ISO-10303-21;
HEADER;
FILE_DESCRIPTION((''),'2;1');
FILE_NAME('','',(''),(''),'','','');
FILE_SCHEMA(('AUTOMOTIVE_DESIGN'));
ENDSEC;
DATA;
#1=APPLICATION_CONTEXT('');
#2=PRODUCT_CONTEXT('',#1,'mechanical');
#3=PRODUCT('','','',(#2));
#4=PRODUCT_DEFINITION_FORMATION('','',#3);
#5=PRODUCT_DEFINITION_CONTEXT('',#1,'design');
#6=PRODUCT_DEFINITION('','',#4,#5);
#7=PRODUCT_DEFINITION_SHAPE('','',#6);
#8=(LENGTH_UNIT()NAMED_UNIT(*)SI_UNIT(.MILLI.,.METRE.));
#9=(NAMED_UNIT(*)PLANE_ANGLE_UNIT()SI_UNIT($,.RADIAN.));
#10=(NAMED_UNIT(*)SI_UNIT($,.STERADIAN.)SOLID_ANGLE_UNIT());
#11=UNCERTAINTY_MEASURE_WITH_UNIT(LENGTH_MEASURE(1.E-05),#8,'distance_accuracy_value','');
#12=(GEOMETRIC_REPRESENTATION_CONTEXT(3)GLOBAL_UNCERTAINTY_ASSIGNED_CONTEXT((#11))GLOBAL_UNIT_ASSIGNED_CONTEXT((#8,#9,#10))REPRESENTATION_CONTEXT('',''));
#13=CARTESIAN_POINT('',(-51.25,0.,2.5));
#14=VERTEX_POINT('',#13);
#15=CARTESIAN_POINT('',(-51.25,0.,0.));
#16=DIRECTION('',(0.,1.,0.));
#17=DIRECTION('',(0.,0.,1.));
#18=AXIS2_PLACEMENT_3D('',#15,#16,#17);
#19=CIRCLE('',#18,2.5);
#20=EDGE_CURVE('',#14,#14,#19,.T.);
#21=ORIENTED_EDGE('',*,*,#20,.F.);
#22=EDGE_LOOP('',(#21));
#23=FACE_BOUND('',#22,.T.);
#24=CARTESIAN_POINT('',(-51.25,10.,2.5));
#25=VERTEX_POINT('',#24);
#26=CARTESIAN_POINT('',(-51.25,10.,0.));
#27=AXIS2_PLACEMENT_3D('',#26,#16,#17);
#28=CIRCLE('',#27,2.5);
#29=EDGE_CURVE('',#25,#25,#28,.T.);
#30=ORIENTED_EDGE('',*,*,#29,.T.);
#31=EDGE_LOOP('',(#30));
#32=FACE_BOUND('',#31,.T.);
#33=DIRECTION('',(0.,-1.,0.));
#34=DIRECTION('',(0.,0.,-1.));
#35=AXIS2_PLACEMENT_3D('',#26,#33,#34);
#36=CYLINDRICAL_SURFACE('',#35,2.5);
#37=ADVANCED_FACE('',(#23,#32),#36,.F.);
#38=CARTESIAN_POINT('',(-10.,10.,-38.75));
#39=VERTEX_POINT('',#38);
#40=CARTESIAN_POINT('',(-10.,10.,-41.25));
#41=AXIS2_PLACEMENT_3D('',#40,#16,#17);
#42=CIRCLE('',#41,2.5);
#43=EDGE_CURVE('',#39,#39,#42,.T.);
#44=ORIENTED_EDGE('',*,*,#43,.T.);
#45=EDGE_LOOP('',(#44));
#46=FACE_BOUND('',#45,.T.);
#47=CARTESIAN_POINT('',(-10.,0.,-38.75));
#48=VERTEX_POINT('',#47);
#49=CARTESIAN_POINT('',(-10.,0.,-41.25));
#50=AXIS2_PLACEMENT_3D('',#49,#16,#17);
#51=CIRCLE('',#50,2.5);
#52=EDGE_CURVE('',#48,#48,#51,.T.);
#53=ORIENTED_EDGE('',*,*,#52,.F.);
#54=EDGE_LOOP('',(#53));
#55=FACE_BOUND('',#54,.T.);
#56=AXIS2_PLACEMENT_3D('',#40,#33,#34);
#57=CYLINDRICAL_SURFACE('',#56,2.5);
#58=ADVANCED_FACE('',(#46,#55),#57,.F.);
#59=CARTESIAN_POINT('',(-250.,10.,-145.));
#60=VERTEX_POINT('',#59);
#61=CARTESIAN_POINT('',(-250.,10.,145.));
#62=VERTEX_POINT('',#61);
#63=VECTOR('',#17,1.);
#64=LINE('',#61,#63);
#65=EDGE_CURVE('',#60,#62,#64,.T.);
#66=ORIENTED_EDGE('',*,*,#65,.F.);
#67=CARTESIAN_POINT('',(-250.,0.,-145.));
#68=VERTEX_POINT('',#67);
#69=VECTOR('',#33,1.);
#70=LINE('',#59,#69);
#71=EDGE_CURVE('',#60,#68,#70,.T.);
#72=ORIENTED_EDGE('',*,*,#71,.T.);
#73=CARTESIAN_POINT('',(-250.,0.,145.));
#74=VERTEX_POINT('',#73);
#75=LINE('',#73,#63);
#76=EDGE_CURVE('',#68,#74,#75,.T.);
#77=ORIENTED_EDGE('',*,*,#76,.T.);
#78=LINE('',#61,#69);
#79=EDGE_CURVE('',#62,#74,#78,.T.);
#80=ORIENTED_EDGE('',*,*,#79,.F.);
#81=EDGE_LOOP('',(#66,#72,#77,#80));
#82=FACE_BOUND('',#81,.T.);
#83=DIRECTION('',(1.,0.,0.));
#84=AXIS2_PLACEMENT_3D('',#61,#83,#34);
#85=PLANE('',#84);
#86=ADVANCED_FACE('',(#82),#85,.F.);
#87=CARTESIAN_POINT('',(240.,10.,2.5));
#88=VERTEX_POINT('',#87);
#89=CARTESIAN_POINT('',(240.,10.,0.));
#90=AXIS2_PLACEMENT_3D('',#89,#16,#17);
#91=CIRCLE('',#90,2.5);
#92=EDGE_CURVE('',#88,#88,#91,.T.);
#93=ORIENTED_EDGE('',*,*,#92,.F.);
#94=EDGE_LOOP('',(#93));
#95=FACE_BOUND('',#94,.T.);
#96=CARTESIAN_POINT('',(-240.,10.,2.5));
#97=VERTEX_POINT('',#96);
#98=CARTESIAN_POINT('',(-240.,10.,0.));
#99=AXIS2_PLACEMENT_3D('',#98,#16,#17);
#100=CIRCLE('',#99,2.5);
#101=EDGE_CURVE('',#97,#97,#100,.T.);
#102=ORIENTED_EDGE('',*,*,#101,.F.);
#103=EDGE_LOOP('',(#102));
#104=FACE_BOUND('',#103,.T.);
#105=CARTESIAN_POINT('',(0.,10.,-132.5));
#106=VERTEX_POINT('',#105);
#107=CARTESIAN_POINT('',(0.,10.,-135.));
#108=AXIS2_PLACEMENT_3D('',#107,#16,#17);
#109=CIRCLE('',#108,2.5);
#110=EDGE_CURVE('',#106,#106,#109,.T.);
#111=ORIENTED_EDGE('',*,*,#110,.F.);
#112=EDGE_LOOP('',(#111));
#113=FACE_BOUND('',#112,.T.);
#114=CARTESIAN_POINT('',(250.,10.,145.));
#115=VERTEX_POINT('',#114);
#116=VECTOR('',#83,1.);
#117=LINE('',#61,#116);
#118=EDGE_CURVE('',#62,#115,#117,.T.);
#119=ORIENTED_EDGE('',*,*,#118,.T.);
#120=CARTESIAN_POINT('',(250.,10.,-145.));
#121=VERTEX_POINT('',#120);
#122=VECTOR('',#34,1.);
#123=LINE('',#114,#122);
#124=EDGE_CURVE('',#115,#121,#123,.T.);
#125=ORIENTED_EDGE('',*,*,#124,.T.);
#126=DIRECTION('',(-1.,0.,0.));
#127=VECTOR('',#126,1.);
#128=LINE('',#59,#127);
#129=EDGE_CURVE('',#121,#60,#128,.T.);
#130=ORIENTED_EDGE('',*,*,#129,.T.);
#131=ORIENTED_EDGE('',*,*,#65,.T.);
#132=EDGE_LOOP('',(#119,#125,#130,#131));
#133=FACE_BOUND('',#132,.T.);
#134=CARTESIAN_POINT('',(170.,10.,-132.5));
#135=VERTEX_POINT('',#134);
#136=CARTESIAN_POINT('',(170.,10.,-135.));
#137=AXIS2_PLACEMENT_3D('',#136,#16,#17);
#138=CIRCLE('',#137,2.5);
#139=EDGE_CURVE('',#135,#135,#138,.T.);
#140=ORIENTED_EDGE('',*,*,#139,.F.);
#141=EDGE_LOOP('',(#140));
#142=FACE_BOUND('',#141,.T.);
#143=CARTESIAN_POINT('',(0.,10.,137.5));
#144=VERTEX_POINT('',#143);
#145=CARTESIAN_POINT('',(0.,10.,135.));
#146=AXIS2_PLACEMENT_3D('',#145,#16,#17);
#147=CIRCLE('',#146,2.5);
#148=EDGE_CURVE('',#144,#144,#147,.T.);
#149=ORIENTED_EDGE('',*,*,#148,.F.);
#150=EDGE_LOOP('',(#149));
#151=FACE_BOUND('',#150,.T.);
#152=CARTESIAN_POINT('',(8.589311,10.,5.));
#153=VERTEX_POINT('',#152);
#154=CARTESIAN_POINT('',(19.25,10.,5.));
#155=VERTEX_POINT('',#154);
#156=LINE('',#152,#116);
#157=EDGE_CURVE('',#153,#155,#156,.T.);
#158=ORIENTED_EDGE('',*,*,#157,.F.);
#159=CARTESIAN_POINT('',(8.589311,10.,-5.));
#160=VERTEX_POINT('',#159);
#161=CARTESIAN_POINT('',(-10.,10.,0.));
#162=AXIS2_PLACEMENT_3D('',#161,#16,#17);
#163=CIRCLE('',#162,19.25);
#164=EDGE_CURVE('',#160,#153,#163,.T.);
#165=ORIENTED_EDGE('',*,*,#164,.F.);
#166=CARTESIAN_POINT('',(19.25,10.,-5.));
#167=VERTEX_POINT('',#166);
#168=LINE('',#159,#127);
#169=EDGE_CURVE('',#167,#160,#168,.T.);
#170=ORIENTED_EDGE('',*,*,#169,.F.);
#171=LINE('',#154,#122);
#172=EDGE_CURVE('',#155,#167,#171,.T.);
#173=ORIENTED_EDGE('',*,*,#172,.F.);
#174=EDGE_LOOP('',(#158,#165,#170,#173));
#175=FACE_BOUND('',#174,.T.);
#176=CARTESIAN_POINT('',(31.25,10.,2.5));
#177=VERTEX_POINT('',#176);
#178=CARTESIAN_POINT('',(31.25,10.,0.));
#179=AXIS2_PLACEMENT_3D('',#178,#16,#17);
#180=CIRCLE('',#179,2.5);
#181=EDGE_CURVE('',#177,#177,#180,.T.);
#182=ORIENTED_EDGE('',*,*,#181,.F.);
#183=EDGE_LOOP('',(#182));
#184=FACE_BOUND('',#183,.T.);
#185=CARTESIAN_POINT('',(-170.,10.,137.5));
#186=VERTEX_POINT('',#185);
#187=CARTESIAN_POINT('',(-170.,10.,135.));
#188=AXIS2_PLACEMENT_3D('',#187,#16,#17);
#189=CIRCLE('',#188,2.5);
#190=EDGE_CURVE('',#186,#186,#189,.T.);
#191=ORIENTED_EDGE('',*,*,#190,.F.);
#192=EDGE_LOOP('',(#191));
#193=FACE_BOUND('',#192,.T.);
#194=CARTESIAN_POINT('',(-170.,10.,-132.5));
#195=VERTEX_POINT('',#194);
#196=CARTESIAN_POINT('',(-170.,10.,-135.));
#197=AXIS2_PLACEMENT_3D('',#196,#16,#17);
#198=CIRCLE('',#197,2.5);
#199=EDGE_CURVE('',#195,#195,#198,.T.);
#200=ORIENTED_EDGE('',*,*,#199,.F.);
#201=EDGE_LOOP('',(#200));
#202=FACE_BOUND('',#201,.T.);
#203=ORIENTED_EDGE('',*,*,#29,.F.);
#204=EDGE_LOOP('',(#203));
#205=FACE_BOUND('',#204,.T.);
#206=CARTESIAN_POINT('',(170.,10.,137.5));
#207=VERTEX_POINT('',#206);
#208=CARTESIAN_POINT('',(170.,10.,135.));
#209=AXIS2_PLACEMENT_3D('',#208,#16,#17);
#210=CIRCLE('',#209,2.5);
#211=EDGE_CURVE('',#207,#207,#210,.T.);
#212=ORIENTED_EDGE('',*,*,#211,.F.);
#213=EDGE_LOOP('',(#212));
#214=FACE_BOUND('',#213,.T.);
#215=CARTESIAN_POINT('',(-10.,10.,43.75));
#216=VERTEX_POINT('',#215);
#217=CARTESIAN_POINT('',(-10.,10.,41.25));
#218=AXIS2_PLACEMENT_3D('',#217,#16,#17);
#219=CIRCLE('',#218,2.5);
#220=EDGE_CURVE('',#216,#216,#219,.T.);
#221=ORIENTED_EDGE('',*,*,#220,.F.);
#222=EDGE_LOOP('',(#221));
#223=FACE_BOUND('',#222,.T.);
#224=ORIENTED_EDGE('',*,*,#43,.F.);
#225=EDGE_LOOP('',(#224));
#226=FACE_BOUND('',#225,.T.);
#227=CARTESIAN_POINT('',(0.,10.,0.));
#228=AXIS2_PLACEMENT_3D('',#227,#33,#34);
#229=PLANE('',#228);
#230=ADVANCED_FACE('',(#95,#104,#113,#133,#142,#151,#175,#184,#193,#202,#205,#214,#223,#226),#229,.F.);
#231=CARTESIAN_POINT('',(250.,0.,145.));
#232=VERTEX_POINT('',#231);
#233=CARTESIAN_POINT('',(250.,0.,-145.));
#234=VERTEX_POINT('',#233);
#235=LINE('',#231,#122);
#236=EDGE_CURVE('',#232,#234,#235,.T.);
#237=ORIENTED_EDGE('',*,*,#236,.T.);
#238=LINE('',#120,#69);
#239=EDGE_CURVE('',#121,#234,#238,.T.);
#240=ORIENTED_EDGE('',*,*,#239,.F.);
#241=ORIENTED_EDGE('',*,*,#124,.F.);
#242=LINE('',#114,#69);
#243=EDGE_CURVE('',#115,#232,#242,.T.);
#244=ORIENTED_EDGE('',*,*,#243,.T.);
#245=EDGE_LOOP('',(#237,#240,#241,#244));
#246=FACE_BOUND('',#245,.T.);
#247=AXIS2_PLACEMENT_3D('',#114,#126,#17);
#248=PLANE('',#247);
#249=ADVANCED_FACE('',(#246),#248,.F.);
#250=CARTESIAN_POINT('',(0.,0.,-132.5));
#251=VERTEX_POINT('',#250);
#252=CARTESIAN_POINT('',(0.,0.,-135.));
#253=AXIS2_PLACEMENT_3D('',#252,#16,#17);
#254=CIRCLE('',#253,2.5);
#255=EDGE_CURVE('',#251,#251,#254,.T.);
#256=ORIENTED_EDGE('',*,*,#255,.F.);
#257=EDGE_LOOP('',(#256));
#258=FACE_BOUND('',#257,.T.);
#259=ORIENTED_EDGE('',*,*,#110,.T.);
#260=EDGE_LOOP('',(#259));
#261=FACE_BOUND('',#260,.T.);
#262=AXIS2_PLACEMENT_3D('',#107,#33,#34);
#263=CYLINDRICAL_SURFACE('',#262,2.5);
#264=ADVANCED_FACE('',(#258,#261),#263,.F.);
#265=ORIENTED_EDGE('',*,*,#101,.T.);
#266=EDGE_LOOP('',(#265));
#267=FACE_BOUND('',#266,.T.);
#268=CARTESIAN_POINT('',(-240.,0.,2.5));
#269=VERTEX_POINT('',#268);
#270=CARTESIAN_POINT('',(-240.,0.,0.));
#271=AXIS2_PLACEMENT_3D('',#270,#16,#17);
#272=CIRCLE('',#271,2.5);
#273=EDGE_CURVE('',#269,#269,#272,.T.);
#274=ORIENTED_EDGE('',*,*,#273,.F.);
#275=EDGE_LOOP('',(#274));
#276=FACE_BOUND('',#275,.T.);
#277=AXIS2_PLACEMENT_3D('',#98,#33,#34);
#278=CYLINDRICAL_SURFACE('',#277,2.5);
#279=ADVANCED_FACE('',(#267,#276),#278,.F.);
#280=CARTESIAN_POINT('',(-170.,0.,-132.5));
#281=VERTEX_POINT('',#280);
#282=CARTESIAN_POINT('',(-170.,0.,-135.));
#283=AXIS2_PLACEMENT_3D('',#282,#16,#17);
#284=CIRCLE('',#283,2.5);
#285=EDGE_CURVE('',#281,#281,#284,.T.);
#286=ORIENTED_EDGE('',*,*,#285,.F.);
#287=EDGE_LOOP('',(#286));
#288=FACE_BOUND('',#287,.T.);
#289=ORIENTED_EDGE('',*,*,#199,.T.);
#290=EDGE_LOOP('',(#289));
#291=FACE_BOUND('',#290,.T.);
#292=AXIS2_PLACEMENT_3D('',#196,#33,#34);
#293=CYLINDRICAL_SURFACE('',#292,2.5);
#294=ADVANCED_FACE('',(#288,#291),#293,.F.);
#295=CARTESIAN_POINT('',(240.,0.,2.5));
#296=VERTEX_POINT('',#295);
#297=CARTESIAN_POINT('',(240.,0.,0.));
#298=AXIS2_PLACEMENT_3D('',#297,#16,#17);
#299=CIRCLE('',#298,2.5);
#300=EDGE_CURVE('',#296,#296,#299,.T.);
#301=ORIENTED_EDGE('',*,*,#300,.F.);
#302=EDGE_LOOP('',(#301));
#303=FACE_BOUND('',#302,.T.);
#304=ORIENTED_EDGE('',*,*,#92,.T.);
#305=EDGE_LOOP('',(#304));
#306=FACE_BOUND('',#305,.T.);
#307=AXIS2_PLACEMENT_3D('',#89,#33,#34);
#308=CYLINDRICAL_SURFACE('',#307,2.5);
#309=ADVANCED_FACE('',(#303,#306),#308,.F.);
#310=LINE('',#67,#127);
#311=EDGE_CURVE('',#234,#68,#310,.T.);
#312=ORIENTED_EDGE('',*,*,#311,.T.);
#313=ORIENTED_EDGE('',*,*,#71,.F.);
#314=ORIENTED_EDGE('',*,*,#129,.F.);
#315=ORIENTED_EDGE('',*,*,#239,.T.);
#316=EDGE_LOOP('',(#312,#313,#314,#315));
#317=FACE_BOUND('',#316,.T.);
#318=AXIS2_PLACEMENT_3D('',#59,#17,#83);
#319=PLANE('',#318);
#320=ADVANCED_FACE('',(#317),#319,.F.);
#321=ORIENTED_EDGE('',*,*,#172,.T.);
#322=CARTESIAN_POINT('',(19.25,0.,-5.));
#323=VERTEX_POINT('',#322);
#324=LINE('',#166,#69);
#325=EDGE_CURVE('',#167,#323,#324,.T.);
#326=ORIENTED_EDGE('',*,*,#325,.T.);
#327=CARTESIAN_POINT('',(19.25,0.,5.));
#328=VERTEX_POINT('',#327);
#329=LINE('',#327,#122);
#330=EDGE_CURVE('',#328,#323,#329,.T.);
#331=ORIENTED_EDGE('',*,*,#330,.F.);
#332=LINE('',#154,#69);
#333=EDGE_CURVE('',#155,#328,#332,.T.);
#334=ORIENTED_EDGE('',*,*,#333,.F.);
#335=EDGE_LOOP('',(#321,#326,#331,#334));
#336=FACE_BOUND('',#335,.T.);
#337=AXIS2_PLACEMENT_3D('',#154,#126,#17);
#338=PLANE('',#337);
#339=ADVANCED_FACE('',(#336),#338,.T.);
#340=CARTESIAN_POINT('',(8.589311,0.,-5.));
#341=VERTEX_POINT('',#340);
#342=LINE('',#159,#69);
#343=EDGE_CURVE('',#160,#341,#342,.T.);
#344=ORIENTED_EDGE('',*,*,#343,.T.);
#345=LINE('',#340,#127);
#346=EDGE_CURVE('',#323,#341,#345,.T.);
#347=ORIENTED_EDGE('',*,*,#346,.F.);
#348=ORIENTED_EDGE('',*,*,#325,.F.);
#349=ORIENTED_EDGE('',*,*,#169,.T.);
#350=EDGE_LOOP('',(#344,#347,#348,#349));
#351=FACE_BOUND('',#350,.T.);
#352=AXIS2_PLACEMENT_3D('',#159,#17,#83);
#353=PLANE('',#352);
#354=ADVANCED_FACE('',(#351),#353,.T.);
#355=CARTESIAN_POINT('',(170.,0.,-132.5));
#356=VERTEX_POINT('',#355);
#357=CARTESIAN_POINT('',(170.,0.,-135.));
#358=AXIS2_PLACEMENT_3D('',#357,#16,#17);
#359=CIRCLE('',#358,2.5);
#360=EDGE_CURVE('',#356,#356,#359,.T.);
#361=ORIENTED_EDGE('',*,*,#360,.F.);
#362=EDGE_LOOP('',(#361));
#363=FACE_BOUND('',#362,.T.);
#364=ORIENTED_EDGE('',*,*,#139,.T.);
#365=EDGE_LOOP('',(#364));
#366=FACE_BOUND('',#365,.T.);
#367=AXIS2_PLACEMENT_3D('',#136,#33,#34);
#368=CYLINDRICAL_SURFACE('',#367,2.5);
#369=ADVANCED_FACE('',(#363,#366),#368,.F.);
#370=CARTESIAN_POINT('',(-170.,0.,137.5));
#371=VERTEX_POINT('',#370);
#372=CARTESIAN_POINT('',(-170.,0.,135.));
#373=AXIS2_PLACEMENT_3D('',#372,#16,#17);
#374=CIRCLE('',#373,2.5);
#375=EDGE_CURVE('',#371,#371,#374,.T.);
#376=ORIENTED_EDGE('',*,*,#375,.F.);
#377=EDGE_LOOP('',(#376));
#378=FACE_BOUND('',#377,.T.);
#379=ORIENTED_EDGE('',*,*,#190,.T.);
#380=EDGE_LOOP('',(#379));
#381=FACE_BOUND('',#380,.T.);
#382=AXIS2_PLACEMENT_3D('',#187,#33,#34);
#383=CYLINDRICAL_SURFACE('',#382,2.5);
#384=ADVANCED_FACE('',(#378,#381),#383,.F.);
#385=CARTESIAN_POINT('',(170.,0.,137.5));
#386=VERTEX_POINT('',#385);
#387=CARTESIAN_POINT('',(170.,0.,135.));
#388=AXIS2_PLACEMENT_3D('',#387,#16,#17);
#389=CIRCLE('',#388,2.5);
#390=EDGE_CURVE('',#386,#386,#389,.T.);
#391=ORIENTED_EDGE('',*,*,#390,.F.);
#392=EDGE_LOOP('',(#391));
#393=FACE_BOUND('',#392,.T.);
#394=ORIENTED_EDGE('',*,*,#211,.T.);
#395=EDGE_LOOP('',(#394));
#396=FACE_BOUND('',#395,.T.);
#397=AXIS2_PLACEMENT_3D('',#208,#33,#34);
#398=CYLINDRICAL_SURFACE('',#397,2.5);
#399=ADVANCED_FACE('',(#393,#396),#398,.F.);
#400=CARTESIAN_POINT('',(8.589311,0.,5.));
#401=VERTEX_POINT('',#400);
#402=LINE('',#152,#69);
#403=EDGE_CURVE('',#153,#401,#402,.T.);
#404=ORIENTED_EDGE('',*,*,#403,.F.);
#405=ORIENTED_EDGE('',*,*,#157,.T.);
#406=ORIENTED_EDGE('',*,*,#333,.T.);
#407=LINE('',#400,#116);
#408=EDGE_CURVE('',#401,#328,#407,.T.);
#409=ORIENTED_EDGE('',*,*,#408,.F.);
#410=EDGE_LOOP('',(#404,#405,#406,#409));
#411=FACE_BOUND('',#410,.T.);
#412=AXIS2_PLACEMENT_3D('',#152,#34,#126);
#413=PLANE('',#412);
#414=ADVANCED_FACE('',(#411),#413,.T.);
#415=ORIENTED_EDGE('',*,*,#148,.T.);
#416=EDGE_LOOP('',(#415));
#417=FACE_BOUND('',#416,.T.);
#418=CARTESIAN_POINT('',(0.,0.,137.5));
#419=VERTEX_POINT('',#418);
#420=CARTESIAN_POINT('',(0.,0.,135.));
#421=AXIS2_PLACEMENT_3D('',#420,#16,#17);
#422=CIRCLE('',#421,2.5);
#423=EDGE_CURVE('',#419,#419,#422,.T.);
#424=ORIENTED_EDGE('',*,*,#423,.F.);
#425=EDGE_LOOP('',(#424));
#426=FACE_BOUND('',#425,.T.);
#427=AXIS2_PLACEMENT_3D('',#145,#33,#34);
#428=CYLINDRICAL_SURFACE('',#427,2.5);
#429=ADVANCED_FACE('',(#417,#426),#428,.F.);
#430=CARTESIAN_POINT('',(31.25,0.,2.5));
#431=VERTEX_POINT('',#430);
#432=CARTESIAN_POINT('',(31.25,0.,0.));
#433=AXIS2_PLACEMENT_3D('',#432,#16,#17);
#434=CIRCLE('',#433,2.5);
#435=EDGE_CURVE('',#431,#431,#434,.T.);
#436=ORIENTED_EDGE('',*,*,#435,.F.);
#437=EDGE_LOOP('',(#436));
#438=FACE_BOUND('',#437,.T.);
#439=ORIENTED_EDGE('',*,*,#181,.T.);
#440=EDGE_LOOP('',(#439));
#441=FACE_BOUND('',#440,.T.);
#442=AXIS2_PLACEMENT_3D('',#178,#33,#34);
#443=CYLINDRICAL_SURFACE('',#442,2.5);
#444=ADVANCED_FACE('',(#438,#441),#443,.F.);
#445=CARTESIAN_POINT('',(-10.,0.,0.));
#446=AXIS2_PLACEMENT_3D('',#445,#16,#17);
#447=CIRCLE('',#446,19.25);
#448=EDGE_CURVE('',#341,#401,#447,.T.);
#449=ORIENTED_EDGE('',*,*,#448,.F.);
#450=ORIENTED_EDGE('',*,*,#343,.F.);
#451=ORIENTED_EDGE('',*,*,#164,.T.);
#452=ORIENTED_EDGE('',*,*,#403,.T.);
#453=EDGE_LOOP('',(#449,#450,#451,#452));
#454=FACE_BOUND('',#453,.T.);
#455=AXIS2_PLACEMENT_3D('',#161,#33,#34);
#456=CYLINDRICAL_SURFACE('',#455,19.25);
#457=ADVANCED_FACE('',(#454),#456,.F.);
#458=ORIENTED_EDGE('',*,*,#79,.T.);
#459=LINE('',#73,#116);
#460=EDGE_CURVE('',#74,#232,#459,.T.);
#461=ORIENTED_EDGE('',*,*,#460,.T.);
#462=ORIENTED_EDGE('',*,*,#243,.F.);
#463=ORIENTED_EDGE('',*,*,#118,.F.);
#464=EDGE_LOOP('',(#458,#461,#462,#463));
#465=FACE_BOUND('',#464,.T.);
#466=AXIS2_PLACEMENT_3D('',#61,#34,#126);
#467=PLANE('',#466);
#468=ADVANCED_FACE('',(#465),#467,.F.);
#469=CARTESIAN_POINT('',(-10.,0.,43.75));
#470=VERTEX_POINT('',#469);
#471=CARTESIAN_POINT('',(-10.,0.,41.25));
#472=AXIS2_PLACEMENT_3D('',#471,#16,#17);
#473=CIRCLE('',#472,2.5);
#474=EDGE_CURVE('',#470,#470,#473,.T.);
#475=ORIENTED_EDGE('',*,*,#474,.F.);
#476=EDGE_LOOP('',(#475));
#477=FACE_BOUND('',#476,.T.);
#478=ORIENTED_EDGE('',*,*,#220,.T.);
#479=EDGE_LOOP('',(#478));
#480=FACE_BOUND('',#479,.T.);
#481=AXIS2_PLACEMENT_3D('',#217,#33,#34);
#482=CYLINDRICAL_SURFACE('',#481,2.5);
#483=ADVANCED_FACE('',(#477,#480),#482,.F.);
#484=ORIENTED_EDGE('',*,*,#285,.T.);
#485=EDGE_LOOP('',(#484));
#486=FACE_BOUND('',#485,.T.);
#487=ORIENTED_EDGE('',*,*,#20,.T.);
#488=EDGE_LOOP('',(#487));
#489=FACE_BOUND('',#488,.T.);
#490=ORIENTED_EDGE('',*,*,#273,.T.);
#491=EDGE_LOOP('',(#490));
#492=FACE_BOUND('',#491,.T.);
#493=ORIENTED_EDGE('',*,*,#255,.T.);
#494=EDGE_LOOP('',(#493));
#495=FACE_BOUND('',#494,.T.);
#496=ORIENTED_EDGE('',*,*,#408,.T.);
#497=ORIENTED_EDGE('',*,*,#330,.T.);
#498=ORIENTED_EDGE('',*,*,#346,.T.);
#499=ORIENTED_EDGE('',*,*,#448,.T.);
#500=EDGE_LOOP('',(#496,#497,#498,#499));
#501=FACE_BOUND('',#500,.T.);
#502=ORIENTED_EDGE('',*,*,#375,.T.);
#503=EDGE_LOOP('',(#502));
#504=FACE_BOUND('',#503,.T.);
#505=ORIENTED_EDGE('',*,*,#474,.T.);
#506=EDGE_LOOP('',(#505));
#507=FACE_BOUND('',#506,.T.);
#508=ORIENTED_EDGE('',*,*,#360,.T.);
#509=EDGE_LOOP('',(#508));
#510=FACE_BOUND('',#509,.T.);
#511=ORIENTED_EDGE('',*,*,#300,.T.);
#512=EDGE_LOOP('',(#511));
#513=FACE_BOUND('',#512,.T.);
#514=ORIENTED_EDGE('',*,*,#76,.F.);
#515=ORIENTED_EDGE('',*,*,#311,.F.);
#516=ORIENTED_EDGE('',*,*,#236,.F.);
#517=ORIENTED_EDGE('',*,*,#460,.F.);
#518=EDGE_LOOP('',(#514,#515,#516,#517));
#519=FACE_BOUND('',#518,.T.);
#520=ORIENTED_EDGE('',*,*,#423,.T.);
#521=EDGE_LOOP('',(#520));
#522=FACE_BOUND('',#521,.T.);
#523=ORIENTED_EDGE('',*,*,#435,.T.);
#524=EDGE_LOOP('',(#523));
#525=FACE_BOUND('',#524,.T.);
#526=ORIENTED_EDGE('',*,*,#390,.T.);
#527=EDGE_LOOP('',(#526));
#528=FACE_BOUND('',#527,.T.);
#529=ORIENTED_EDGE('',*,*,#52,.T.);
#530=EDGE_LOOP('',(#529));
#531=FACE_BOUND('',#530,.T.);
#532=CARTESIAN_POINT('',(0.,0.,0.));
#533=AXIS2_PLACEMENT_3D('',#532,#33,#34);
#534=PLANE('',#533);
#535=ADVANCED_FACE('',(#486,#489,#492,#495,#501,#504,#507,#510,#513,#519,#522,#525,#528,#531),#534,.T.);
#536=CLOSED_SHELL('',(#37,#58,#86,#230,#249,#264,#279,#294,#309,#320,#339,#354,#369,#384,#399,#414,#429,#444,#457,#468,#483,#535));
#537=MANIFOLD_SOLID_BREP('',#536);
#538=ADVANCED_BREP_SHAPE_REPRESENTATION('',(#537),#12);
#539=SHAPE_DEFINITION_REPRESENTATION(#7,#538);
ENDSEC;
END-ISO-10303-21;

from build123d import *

# Parameters (mm, degrees)
SKETCH1_W           = 500
SKETCH1_H           = 290
SKETCH1_R           = 2.5
BOSS_EXTRUDE1_DEPTH = 10


with BuildPart() as part:
    # Sketch1 → Boss-Extrude1 (new body)
    with BuildSketch(Plane(origin=(0, 0, 0), x_dir=(1, 0, 0), z_dir=(0, 1, 0))):
        Rectangle(SKETCH1_W, SKETCH1_H)
        with Locations((-240, 0)):
            Circle(SKETCH1_R, mode=Mode.SUBTRACT)
        with Locations((-170, -135)):
            Circle(SKETCH1_R, mode=Mode.SUBTRACT)
        with Locations((-170, 135)):
            Circle(SKETCH1_R, mode=Mode.SUBTRACT)
        with Locations((170, 135)):
            Circle(SKETCH1_R, mode=Mode.SUBTRACT)
        with Locations((240, 0)):
            Circle(SKETCH1_R, mode=Mode.SUBTRACT)
        with Locations((170, -135)):
            Circle(SKETCH1_R, mode=Mode.SUBTRACT)
        with Locations((0, 135)):
            Circle(SKETCH1_R, mode=Mode.SUBTRACT)
        with Locations((0, -135)):
            Circle(SKETCH1_R, mode=Mode.SUBTRACT)
        with Locations((31.25, 0)):
            Circle(SKETCH1_R, mode=Mode.SUBTRACT)
        with Locations((-10, -41.25)):
            Circle(SKETCH1_R, mode=Mode.SUBTRACT)
        with Locations((-51.25, 0)):
            Circle(SKETCH1_R, mode=Mode.SUBTRACT)
        with Locations((-10, 41.25)):
            Circle(SKETCH1_R, mode=Mode.SUBTRACT)
        with BuildLine():
            Line((8.589311445, -5), (19.25, -5))
            Line((19.25, -5), (19.25, 5))
            Line((19.25, 5), (8.589311445, 5))
            ThreePointArc((8.589311445, 5), (-29.25, 0), (8.589311445, -5))
        make_face(mode=Mode.SUBTRACT)
    extrude(amount=BOSS_EXTRUDE1_DEPTH)


solid = part.part
